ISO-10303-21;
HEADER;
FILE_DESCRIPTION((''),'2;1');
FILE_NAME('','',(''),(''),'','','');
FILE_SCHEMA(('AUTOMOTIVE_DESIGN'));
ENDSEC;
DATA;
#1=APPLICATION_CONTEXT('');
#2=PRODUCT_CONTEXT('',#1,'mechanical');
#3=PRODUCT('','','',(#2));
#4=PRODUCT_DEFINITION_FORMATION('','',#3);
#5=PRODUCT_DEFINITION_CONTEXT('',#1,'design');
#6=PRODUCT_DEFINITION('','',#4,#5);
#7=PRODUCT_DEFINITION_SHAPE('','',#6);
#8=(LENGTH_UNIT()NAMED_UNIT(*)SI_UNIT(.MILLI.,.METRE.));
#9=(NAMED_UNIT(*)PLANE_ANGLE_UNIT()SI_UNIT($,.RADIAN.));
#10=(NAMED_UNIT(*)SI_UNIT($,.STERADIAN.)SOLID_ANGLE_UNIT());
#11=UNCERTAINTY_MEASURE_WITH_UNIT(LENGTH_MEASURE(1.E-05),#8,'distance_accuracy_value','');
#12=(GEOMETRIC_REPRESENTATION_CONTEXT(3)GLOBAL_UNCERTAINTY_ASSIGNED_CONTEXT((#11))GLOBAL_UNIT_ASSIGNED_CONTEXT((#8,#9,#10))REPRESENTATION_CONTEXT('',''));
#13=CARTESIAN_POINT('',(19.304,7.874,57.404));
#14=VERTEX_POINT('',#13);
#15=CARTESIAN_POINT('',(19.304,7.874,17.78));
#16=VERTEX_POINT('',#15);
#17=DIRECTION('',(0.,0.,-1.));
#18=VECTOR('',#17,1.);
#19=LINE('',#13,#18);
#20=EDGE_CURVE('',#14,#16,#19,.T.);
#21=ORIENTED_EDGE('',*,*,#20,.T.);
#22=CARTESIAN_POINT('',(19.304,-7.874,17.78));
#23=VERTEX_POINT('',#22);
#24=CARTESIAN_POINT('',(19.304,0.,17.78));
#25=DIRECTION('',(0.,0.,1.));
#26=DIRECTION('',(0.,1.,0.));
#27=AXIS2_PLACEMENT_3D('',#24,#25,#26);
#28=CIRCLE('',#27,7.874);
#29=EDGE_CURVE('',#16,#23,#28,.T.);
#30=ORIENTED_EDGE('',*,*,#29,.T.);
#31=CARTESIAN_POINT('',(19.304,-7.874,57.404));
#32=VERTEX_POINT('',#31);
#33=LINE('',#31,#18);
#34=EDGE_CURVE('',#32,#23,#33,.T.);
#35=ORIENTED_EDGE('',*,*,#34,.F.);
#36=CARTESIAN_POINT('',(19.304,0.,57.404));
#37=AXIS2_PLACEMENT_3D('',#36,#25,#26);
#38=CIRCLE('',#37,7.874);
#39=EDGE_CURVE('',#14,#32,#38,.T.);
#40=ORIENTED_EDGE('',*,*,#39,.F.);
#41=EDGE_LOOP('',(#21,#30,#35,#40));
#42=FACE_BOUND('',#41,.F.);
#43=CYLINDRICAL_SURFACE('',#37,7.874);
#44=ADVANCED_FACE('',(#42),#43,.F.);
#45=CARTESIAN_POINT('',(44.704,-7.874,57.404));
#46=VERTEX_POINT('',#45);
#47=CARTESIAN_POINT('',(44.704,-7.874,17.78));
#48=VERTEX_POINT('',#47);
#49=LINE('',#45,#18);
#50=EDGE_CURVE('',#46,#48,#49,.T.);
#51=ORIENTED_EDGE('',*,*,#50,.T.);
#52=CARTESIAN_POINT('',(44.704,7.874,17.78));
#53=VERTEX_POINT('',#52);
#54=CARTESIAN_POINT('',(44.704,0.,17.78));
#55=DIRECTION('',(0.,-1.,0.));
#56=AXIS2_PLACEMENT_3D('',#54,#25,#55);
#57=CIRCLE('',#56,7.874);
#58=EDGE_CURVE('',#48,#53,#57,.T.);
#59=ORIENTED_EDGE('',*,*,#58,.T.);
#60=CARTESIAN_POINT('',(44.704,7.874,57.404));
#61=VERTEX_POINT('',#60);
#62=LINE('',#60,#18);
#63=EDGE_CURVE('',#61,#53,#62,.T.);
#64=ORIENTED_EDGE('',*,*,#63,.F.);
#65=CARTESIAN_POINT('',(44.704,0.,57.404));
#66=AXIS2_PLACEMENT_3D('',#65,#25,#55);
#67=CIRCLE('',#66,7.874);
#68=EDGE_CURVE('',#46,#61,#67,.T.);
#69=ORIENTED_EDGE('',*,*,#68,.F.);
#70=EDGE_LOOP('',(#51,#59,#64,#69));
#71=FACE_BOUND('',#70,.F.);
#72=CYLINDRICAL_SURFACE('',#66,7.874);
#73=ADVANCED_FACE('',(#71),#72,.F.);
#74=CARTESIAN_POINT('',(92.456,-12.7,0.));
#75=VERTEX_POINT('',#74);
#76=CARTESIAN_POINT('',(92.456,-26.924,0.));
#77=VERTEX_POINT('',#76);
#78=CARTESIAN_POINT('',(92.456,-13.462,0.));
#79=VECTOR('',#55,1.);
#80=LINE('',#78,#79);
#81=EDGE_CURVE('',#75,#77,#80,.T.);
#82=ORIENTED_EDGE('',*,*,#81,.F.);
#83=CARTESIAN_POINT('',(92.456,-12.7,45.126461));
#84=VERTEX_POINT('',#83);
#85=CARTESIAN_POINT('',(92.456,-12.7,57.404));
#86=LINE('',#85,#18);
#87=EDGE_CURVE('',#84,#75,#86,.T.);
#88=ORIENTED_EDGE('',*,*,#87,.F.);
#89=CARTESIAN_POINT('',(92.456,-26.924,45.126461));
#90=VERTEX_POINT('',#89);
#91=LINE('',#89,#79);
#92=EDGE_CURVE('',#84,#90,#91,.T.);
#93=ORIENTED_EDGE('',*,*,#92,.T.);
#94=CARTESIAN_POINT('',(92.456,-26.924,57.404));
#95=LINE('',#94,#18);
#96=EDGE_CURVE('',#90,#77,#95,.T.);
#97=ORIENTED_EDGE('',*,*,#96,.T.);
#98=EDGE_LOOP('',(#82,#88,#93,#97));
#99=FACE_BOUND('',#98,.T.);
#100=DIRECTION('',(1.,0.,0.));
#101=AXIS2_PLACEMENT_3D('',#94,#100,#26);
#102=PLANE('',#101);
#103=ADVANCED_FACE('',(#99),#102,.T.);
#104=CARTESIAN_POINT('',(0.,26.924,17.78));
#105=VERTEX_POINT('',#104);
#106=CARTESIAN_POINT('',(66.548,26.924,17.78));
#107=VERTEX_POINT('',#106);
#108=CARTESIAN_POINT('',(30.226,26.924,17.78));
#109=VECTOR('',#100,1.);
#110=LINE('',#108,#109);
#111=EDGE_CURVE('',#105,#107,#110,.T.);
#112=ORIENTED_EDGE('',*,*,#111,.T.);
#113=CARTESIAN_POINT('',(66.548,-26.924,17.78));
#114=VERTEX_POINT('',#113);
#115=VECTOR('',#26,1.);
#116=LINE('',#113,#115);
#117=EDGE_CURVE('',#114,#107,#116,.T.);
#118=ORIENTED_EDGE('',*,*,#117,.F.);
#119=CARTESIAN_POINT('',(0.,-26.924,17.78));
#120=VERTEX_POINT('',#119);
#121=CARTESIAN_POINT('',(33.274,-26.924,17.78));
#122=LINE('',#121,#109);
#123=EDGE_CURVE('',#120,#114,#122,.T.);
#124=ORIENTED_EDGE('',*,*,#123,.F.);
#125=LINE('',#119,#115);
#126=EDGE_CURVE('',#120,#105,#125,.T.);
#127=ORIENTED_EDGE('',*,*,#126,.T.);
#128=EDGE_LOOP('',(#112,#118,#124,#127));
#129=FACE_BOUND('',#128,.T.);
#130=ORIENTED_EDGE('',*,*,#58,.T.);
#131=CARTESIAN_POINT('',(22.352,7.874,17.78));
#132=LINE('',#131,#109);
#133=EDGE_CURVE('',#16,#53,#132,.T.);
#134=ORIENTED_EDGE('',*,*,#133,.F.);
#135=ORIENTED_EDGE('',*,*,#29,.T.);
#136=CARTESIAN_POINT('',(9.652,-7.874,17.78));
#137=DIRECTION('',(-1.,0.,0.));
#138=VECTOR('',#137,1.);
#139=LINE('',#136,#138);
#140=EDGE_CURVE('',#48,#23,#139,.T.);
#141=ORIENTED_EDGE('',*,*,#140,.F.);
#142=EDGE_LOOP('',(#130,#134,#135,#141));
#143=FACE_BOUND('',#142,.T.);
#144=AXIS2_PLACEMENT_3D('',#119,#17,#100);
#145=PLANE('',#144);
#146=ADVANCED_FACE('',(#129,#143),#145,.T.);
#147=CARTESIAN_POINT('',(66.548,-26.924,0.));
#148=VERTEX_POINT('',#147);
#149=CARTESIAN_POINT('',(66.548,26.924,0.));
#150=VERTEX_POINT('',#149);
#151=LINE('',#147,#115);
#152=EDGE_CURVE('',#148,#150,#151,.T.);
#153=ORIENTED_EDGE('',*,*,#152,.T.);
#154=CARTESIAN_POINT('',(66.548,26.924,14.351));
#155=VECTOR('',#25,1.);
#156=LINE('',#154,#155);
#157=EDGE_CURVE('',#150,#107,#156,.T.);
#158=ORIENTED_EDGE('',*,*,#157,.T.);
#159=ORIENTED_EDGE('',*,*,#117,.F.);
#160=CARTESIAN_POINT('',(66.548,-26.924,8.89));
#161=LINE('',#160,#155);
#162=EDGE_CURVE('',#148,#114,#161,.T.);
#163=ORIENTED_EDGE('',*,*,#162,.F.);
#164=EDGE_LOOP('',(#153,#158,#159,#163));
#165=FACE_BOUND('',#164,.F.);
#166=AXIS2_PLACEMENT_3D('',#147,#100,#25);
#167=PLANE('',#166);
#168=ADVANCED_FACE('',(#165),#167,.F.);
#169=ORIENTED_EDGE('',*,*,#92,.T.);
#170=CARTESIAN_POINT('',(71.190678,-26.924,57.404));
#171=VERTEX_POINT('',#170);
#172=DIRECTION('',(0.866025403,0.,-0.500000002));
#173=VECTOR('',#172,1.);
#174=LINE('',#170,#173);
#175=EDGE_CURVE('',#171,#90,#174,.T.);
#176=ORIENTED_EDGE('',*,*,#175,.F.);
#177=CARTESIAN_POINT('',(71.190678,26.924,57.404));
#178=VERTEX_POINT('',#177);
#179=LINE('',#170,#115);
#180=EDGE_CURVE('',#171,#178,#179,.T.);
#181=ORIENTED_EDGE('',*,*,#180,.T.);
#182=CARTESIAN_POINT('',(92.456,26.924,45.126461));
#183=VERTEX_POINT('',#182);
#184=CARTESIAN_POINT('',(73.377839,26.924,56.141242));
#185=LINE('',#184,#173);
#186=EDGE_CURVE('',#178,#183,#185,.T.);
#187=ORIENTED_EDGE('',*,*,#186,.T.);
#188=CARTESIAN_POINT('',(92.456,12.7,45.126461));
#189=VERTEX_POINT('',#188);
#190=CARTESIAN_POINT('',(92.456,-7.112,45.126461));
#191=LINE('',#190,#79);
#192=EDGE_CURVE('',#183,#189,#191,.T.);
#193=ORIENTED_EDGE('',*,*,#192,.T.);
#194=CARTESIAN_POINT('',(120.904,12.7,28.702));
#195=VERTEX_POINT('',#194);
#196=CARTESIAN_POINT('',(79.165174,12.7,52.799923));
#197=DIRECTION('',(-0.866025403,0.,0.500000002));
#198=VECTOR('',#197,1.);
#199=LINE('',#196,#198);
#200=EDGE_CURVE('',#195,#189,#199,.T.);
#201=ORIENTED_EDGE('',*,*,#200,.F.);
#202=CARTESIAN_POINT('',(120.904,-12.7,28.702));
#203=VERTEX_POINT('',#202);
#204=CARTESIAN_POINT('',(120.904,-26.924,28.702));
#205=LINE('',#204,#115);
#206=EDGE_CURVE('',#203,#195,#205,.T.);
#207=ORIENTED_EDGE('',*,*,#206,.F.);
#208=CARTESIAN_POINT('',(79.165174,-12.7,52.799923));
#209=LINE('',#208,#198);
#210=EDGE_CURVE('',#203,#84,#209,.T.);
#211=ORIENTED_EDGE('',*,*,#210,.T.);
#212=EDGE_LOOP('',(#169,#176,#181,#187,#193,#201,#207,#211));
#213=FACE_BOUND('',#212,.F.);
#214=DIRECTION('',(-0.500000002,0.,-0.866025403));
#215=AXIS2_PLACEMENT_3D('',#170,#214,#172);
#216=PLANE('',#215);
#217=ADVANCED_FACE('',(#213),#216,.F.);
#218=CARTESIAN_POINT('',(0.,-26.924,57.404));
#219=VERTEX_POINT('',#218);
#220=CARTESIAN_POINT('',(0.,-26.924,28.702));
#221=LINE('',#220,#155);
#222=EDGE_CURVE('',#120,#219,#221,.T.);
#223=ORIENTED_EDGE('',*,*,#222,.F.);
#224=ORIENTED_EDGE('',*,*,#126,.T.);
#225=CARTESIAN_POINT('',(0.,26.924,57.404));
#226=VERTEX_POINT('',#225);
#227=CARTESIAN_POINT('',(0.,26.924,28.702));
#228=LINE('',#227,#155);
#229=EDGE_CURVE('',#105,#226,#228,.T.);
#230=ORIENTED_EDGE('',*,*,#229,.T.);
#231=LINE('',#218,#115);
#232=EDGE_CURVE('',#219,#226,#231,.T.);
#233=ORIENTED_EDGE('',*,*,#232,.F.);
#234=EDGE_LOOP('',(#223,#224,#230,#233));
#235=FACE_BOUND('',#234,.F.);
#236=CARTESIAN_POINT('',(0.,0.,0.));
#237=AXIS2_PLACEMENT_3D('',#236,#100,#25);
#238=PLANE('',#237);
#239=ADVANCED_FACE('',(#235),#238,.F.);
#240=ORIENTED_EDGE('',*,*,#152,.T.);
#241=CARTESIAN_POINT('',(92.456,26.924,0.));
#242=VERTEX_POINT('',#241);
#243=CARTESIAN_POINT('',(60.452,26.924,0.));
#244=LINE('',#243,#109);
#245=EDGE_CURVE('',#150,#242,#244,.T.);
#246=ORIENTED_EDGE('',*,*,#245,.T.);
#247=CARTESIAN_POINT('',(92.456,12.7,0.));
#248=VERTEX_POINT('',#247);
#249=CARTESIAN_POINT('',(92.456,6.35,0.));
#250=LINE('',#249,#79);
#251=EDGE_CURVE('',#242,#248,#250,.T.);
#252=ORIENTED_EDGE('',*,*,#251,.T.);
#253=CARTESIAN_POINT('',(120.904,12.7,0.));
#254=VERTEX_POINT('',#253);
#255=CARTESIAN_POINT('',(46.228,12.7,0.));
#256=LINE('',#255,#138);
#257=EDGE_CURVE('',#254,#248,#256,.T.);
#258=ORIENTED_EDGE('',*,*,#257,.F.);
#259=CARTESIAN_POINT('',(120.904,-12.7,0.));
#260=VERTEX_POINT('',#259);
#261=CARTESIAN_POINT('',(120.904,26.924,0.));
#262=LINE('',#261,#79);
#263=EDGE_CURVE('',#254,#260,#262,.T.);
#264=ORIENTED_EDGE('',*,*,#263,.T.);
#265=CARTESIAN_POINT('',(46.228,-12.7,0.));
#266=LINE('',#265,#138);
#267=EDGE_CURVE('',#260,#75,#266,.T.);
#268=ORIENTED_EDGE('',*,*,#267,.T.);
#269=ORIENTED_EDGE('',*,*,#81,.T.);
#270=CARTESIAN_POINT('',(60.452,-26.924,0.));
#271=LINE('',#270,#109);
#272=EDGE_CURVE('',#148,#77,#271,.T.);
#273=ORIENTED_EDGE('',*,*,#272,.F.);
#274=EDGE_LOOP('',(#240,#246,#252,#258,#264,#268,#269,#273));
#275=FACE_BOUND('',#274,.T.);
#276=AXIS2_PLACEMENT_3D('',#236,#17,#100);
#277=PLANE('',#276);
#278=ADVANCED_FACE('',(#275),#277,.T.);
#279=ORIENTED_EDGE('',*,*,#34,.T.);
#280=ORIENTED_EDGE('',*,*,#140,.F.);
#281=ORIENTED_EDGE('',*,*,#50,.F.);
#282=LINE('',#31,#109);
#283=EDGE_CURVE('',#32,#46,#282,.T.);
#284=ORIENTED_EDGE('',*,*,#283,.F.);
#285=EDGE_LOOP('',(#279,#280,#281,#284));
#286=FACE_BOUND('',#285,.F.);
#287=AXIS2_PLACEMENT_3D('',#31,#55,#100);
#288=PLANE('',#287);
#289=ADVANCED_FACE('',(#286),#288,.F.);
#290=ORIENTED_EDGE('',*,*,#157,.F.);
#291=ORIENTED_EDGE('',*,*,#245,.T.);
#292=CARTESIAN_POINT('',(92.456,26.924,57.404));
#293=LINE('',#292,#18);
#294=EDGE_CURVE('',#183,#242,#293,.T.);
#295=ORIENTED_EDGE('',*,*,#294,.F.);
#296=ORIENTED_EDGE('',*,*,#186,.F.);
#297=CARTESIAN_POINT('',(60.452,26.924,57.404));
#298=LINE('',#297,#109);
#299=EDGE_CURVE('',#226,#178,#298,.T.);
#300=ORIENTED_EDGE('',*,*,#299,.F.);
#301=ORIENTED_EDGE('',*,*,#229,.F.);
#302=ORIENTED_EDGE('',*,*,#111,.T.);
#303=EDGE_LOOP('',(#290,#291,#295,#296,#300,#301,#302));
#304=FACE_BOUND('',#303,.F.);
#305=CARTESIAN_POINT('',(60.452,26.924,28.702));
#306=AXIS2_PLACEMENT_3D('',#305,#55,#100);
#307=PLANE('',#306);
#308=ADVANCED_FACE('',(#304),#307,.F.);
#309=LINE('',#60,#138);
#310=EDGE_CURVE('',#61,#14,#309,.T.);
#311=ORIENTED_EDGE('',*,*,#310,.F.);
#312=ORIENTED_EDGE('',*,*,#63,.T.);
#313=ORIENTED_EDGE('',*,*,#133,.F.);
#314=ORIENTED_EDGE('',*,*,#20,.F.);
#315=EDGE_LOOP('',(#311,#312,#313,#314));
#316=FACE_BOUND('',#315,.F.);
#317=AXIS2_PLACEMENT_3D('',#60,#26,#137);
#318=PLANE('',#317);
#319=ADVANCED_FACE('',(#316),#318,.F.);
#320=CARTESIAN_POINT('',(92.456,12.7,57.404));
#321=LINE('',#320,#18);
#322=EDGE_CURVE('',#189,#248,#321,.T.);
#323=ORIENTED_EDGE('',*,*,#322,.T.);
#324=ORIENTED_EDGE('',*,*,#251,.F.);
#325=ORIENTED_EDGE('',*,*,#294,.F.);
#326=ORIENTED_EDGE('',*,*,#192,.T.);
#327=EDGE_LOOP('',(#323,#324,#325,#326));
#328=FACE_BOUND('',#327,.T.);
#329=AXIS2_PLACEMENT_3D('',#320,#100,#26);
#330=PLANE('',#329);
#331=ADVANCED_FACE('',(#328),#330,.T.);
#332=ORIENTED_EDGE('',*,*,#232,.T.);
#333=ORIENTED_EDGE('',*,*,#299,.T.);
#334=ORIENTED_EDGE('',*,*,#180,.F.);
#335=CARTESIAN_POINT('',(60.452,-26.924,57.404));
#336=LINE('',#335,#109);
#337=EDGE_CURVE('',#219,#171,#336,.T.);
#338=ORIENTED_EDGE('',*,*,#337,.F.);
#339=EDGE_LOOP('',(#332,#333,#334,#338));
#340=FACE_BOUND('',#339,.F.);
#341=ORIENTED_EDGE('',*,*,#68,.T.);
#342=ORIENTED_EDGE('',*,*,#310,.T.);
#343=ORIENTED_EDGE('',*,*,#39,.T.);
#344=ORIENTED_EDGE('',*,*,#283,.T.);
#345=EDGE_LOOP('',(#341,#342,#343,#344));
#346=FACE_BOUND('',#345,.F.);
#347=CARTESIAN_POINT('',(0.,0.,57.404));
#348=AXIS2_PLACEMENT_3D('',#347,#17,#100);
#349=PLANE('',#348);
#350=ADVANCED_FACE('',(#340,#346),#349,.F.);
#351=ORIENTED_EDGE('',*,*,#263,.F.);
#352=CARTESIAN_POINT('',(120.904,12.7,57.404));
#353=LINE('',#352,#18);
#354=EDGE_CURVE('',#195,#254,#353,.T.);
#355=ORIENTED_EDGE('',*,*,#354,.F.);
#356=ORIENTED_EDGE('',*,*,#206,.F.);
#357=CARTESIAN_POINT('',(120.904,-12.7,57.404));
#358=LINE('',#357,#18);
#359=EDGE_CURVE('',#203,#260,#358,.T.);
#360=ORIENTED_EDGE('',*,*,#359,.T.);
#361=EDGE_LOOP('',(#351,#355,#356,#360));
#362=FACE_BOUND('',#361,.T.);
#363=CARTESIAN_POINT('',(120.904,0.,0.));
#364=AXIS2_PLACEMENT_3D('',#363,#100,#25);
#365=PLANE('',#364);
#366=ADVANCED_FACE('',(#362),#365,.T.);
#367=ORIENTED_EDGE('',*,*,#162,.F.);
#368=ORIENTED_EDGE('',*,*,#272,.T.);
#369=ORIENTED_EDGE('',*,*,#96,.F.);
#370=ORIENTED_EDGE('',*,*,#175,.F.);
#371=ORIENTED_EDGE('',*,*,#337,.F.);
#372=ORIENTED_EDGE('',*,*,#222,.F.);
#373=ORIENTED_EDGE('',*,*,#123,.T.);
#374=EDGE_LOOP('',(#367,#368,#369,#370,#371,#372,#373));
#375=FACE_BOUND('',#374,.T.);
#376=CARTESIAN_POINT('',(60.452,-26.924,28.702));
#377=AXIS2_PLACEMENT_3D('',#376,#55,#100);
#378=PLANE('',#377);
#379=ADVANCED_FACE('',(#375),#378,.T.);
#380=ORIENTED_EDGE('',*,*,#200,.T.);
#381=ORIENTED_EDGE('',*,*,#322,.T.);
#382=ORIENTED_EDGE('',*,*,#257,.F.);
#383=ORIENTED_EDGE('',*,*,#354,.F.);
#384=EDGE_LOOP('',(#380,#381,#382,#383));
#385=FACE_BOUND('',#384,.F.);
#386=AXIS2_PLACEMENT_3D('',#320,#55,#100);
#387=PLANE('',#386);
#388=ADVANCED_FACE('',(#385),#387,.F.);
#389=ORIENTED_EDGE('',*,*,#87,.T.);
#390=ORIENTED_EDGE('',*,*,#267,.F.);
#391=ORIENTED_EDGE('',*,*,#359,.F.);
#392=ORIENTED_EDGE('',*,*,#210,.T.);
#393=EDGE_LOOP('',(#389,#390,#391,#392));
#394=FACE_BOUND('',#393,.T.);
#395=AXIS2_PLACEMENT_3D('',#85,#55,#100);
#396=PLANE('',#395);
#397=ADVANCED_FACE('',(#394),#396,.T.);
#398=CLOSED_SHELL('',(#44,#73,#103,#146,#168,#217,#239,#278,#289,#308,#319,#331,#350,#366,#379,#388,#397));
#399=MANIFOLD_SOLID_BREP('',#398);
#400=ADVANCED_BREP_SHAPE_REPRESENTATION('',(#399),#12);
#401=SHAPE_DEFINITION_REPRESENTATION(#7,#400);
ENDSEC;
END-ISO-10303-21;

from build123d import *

# Parameters (mm, degrees)
F0_W     = 120.904
F0_H     = 57.404
F1_DEPTH = 26.924
F2_W     = 66.548
F2_H     = 17.78
F3_DEPTH = 53.849
F5_DEPTH = 53.849
F6_W     = 28.448
F6_H     = 14.224
F7_DEPTH = 57.405
F9_DEPTH = 57.405


with BuildPart() as f1:
    # F0 (on Front) → F1 (new body, symmetric)
    with BuildSketch(Plane.XZ):
        with Locations((60.452, 28.702)):
            Rectangle(F0_W, F0_H)
    extrude(amount=F1_DEPTH, both=True)

    # F2 (on face) → F3 (cut, through all)
    with BuildSketch(Plane.XZ.offset(26.924)):
        with Locations((33.274, 8.89)):
            Rectangle(F2_W, F2_H)
    extrude(amount=-F3_DEPTH, mode=Mode.SUBTRACT)

    # F4 (on face) → F5 (cut, through all)
    with BuildSketch(Plane.XZ.offset(26.924)):
        Polygon((120.904, 28.702), (120.904, 57.404), (71.190678, 57.404), align=None)
    extrude(amount=-F5_DEPTH, mode=Mode.SUBTRACT)

    # F6 (on face) → F7 (cut, through all)
    with BuildSketch(Plane.XY.offset(57.404)):
        with Locations((106.68, -19.812)):
            Rectangle(F6_W, F6_H)
        with Locations((106.68, 19.812)):
            Rectangle(F6_W, F6_H)
    extrude(amount=-F7_DEPTH, mode=Mode.SUBTRACT)

    # F8 (on face) → F9 (cut, through all)
    with BuildSketch(Plane.XY.offset(57.404)):
        with BuildLine():
            Line((44.704, 7.874), (19.304, 7.874))
            ThreePointArc((19.304, 7.874), (11.43, 0), (19.304, -7.874))
            Line((19.304, -7.874), (44.704, -7.874))
            ThreePointArc((44.704, -7.874), (52.578, 0), (44.704, 7.874))
        make_face()
    extrude(amount=-F9_DEPTH, mode=Mode.SUBTRACT)


solid = f1.part
